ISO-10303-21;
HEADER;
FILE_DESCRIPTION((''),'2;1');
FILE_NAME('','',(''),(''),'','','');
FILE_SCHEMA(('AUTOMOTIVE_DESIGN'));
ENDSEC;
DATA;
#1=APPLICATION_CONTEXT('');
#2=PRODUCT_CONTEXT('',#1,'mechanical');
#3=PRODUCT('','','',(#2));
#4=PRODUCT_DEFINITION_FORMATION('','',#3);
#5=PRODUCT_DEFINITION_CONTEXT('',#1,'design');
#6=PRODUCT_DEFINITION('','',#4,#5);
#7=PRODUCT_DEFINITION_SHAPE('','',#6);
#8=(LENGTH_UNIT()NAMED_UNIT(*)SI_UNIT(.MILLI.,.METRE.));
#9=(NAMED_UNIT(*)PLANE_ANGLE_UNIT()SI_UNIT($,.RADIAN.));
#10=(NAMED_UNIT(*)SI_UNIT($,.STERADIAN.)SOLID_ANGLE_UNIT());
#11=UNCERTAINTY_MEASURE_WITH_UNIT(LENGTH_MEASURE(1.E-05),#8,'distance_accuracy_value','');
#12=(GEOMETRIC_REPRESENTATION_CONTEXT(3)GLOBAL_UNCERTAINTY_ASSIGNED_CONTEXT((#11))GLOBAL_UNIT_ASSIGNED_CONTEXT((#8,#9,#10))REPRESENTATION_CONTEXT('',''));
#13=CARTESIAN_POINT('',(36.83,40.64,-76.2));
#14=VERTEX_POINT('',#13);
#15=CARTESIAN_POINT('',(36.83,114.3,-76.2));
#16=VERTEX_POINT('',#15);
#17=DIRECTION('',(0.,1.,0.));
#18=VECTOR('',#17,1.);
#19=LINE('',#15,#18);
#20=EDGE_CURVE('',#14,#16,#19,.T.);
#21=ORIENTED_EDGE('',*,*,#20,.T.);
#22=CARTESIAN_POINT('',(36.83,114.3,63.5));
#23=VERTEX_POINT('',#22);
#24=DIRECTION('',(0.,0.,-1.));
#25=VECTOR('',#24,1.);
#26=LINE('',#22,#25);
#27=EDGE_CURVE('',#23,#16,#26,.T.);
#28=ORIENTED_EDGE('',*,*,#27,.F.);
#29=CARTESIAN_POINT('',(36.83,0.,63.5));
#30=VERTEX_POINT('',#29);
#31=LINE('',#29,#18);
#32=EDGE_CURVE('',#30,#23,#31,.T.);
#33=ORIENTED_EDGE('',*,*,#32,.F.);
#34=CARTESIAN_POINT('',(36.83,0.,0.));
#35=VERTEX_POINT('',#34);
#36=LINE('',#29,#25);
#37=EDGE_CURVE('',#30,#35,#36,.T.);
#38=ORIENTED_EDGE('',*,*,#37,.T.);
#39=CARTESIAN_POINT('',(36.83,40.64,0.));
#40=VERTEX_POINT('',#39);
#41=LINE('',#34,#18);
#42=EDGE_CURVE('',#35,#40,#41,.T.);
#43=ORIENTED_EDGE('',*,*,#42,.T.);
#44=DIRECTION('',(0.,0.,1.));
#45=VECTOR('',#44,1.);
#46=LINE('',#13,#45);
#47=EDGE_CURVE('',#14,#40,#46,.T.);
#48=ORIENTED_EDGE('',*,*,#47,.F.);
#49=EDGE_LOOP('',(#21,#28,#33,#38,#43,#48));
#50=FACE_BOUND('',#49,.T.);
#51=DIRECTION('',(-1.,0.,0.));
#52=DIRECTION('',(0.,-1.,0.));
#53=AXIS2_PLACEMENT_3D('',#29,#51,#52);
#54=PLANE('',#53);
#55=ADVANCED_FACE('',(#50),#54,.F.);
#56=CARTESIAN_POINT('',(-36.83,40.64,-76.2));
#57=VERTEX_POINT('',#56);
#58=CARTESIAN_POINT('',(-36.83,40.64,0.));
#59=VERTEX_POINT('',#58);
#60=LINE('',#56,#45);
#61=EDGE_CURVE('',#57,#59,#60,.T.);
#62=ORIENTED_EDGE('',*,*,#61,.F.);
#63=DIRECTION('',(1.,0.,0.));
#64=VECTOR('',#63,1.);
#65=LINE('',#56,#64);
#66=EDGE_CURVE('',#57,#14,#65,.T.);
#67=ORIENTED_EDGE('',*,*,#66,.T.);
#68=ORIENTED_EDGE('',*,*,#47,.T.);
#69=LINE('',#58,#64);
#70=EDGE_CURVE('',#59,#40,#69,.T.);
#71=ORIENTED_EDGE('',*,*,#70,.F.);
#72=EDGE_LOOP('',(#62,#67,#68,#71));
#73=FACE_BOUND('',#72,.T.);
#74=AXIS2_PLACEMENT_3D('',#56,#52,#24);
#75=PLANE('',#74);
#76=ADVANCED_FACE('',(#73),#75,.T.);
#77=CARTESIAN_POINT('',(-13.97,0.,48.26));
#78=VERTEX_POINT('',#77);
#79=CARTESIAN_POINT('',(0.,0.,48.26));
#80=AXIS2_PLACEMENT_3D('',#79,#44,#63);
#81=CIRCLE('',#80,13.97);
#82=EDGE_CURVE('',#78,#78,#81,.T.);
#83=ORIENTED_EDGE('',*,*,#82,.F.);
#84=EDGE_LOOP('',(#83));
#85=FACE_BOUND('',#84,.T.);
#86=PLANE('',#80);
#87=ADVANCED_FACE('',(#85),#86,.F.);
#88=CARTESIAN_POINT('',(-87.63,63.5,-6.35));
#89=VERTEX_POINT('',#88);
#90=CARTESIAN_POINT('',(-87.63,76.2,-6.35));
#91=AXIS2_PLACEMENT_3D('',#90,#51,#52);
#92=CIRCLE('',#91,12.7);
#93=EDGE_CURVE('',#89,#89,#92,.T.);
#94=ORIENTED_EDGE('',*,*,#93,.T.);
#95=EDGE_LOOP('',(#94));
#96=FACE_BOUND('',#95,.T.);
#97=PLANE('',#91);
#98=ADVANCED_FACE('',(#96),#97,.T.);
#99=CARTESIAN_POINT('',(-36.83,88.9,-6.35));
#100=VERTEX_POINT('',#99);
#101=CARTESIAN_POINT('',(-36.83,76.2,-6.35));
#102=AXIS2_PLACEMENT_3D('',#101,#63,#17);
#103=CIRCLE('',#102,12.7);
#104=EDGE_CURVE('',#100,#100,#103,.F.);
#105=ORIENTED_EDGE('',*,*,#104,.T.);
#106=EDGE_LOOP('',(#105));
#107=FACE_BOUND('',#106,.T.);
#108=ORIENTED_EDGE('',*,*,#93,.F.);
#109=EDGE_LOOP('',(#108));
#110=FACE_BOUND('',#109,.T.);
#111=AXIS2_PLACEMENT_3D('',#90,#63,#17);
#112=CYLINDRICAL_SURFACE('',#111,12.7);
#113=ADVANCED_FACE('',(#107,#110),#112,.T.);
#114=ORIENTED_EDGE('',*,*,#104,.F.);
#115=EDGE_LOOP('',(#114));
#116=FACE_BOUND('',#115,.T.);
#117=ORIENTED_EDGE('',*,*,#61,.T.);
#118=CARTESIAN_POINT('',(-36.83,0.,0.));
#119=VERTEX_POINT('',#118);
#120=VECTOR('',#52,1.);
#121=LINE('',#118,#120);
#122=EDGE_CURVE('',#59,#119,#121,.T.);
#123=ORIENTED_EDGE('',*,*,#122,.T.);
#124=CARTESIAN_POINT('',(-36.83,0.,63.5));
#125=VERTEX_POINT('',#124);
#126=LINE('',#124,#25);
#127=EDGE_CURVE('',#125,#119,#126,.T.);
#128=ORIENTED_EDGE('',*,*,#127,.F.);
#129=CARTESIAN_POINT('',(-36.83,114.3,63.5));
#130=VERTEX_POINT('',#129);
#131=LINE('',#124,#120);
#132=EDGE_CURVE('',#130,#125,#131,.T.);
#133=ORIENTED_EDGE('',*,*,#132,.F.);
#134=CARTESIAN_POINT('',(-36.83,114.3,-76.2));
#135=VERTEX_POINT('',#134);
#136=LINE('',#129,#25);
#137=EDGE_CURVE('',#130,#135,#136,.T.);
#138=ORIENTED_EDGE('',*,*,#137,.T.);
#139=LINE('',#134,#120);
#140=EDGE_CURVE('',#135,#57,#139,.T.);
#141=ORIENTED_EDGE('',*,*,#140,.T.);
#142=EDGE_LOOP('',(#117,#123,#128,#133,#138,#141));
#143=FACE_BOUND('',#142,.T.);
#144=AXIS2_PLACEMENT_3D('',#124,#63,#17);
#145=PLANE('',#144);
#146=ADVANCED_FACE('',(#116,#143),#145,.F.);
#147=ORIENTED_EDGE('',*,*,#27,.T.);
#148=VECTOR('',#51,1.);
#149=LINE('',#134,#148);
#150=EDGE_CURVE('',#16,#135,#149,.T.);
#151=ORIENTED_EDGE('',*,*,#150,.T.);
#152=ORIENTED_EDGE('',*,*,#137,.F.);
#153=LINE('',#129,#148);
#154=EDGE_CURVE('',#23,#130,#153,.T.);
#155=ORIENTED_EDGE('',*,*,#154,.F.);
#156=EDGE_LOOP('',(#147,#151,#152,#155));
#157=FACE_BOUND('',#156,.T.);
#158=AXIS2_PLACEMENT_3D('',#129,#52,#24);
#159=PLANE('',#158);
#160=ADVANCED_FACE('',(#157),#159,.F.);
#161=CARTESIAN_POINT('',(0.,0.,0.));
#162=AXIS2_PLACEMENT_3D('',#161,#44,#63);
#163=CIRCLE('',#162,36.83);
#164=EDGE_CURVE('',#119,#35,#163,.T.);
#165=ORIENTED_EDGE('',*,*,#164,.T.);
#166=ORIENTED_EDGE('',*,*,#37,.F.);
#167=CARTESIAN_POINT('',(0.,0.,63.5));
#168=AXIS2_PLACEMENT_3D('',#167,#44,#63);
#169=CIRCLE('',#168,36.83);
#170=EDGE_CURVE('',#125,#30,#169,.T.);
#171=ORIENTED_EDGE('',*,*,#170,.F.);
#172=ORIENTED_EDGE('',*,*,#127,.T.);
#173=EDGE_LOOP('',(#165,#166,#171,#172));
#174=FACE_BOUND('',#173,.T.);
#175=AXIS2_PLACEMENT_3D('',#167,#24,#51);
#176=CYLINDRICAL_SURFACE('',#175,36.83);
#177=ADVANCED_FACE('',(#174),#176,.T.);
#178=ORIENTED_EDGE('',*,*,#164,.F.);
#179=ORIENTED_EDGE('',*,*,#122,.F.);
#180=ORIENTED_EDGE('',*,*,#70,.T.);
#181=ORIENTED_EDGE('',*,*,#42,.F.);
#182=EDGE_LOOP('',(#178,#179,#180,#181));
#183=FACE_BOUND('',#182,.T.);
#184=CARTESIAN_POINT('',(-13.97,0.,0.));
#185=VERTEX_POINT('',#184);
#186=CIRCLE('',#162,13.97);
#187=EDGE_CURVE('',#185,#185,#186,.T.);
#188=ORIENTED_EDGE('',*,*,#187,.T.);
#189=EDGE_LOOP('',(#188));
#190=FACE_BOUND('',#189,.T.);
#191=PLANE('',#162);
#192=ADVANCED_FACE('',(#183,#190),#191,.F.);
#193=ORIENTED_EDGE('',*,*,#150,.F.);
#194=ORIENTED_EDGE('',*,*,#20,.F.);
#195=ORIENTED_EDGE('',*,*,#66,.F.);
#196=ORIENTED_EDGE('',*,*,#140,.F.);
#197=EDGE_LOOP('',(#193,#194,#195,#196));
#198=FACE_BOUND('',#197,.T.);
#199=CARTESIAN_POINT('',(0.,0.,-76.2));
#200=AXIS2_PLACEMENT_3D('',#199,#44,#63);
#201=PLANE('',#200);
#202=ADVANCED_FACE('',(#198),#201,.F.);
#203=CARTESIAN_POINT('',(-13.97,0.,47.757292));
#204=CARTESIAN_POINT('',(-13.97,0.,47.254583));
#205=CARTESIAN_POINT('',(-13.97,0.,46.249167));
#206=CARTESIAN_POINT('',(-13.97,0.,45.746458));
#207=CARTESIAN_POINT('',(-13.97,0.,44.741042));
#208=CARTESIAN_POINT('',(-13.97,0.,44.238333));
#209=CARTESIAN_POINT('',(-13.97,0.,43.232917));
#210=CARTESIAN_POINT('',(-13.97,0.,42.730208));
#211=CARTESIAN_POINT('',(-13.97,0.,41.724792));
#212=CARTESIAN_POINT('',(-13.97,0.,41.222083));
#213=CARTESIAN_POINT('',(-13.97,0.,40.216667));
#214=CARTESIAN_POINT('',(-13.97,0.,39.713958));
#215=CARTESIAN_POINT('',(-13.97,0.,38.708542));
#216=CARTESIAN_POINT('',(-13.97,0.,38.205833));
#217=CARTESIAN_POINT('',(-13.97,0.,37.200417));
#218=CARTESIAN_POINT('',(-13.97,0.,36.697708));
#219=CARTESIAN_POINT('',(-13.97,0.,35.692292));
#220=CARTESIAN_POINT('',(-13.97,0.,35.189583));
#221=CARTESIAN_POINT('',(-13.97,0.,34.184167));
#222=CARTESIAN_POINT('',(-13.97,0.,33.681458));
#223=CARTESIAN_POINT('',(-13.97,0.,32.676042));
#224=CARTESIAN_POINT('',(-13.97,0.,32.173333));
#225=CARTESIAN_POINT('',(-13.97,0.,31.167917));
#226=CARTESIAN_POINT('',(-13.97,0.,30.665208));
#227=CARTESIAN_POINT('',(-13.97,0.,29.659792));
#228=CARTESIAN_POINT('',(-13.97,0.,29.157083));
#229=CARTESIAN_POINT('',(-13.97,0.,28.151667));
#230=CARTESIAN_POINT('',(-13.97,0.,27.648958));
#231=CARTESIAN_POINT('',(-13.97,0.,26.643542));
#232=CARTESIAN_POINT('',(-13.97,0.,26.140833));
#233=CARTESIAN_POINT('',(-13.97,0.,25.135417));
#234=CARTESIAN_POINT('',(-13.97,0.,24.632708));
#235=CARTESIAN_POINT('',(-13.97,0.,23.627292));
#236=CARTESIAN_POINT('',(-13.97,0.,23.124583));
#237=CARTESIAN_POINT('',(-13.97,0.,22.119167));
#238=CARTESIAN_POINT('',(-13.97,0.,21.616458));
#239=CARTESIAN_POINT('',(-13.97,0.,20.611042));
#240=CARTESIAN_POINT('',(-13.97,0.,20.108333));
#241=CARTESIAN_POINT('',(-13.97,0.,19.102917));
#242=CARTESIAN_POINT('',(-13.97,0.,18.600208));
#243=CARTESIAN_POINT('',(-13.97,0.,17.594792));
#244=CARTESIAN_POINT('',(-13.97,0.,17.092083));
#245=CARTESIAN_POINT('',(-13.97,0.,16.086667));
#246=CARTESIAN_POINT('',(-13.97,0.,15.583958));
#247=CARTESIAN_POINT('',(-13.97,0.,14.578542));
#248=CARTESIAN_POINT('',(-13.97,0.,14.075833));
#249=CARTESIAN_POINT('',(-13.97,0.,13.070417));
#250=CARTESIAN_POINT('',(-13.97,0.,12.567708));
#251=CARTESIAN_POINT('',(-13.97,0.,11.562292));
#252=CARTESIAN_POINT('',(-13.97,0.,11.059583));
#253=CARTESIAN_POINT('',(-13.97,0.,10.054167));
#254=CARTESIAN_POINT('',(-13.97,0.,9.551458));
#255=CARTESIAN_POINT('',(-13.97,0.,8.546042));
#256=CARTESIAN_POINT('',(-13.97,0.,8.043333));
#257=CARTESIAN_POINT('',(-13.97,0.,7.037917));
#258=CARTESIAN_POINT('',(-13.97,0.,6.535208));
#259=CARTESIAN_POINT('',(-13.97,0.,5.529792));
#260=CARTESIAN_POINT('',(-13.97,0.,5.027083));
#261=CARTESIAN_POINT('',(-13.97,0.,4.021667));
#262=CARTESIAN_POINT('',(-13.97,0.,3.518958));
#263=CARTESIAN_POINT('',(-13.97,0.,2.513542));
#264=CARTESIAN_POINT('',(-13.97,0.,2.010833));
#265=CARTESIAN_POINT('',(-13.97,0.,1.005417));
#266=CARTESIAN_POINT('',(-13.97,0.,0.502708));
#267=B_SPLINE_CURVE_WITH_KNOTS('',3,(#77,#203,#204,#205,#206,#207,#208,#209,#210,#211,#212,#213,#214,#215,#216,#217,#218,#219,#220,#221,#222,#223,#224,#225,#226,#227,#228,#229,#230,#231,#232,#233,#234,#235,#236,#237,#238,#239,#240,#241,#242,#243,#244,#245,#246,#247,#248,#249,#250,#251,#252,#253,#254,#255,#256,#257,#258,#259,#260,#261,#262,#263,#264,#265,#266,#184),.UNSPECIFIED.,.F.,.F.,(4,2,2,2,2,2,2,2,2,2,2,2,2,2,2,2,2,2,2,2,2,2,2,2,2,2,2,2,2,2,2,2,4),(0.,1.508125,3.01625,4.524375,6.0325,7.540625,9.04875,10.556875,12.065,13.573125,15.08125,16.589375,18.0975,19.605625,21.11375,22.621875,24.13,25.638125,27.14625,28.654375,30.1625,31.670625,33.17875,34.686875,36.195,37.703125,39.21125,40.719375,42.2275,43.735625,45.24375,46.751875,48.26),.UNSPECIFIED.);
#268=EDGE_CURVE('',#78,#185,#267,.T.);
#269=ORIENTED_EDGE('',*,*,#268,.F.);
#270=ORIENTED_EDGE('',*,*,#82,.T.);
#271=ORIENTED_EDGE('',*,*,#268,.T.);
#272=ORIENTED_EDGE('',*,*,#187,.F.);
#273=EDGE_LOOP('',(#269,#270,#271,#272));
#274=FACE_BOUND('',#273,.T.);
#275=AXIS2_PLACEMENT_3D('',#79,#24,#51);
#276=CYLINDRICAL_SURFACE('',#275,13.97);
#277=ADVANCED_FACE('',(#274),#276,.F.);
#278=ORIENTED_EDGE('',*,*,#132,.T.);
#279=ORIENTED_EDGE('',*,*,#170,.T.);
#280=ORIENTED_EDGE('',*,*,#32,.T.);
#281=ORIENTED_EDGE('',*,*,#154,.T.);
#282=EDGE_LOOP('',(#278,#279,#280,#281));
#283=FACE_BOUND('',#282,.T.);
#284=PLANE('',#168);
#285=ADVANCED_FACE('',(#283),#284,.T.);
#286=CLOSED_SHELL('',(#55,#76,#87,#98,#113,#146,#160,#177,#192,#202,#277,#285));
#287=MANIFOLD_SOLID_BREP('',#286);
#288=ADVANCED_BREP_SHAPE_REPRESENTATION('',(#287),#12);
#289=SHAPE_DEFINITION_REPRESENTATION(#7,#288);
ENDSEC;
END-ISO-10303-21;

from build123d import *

# Parameters (mm, degrees)
SKETCH1_R           = 36.83
BOSS_EXTRUDE1_DEPTH = 63.5
SKETCH4_W           = 73.66
SKETCH4_H           = 114.3
BOSS_EXTRUDE2_DEPTH = 63.5
SKETCH5_W           = 73.66
SKETCH5_H           = 73.66
BOSS_EXTRUDE3_DEPTH = 76.2
SKETCH6_R           = 12.7
BOSS_EXTRUDE4_DEPTH = 50.8
SKETCH2_R           = 13.97
CUT_EXTRUDE1_DEPTH  = 48.26


with BuildPart() as part:
    # Sketch1 → Boss-Extrude1 (new body)
    with BuildSketch(Plane.XY):
        Circle(SKETCH1_R)
    extrude(amount=BOSS_EXTRUDE1_DEPTH)

    # Sketch4 → Boss-Extrude2 (add, through all)
    with BuildSketch(Plane.XY):
        with Locations((0, 57.15)):
            Rectangle(SKETCH4_W, SKETCH4_H)
    extrude(amount=BOSS_EXTRUDE2_DEPTH)

    # Sketch5 → Boss-Extrude3 (add)
    with BuildSketch(Plane.XY):
        with Locations((0, 77.47)):
            Rectangle(SKETCH5_W, SKETCH5_H)
    extrude(amount=-BOSS_EXTRUDE3_DEPTH)

    # Sketch6 → Boss-Extrude4 (add)
    with BuildSketch(Plane.ZY.offset(36.83)):
        with Locations(Location((-6.35, 76.2, 0), (0, 0, 90))):
            Circle(SKETCH6_R)
    extrude(amount=BOSS_EXTRUDE4_DEPTH)

    # Sketch2 → Cut-Extrude1 (cut)
    with BuildSketch(Plane.XY):
        with Locations(Location((0, 0, 0), (0, 0, 180))):
            Circle(SKETCH2_R)
    extrude(amount=CUT_EXTRUDE1_DEPTH, mode=Mode.SUBTRACT)


solid = part.part
